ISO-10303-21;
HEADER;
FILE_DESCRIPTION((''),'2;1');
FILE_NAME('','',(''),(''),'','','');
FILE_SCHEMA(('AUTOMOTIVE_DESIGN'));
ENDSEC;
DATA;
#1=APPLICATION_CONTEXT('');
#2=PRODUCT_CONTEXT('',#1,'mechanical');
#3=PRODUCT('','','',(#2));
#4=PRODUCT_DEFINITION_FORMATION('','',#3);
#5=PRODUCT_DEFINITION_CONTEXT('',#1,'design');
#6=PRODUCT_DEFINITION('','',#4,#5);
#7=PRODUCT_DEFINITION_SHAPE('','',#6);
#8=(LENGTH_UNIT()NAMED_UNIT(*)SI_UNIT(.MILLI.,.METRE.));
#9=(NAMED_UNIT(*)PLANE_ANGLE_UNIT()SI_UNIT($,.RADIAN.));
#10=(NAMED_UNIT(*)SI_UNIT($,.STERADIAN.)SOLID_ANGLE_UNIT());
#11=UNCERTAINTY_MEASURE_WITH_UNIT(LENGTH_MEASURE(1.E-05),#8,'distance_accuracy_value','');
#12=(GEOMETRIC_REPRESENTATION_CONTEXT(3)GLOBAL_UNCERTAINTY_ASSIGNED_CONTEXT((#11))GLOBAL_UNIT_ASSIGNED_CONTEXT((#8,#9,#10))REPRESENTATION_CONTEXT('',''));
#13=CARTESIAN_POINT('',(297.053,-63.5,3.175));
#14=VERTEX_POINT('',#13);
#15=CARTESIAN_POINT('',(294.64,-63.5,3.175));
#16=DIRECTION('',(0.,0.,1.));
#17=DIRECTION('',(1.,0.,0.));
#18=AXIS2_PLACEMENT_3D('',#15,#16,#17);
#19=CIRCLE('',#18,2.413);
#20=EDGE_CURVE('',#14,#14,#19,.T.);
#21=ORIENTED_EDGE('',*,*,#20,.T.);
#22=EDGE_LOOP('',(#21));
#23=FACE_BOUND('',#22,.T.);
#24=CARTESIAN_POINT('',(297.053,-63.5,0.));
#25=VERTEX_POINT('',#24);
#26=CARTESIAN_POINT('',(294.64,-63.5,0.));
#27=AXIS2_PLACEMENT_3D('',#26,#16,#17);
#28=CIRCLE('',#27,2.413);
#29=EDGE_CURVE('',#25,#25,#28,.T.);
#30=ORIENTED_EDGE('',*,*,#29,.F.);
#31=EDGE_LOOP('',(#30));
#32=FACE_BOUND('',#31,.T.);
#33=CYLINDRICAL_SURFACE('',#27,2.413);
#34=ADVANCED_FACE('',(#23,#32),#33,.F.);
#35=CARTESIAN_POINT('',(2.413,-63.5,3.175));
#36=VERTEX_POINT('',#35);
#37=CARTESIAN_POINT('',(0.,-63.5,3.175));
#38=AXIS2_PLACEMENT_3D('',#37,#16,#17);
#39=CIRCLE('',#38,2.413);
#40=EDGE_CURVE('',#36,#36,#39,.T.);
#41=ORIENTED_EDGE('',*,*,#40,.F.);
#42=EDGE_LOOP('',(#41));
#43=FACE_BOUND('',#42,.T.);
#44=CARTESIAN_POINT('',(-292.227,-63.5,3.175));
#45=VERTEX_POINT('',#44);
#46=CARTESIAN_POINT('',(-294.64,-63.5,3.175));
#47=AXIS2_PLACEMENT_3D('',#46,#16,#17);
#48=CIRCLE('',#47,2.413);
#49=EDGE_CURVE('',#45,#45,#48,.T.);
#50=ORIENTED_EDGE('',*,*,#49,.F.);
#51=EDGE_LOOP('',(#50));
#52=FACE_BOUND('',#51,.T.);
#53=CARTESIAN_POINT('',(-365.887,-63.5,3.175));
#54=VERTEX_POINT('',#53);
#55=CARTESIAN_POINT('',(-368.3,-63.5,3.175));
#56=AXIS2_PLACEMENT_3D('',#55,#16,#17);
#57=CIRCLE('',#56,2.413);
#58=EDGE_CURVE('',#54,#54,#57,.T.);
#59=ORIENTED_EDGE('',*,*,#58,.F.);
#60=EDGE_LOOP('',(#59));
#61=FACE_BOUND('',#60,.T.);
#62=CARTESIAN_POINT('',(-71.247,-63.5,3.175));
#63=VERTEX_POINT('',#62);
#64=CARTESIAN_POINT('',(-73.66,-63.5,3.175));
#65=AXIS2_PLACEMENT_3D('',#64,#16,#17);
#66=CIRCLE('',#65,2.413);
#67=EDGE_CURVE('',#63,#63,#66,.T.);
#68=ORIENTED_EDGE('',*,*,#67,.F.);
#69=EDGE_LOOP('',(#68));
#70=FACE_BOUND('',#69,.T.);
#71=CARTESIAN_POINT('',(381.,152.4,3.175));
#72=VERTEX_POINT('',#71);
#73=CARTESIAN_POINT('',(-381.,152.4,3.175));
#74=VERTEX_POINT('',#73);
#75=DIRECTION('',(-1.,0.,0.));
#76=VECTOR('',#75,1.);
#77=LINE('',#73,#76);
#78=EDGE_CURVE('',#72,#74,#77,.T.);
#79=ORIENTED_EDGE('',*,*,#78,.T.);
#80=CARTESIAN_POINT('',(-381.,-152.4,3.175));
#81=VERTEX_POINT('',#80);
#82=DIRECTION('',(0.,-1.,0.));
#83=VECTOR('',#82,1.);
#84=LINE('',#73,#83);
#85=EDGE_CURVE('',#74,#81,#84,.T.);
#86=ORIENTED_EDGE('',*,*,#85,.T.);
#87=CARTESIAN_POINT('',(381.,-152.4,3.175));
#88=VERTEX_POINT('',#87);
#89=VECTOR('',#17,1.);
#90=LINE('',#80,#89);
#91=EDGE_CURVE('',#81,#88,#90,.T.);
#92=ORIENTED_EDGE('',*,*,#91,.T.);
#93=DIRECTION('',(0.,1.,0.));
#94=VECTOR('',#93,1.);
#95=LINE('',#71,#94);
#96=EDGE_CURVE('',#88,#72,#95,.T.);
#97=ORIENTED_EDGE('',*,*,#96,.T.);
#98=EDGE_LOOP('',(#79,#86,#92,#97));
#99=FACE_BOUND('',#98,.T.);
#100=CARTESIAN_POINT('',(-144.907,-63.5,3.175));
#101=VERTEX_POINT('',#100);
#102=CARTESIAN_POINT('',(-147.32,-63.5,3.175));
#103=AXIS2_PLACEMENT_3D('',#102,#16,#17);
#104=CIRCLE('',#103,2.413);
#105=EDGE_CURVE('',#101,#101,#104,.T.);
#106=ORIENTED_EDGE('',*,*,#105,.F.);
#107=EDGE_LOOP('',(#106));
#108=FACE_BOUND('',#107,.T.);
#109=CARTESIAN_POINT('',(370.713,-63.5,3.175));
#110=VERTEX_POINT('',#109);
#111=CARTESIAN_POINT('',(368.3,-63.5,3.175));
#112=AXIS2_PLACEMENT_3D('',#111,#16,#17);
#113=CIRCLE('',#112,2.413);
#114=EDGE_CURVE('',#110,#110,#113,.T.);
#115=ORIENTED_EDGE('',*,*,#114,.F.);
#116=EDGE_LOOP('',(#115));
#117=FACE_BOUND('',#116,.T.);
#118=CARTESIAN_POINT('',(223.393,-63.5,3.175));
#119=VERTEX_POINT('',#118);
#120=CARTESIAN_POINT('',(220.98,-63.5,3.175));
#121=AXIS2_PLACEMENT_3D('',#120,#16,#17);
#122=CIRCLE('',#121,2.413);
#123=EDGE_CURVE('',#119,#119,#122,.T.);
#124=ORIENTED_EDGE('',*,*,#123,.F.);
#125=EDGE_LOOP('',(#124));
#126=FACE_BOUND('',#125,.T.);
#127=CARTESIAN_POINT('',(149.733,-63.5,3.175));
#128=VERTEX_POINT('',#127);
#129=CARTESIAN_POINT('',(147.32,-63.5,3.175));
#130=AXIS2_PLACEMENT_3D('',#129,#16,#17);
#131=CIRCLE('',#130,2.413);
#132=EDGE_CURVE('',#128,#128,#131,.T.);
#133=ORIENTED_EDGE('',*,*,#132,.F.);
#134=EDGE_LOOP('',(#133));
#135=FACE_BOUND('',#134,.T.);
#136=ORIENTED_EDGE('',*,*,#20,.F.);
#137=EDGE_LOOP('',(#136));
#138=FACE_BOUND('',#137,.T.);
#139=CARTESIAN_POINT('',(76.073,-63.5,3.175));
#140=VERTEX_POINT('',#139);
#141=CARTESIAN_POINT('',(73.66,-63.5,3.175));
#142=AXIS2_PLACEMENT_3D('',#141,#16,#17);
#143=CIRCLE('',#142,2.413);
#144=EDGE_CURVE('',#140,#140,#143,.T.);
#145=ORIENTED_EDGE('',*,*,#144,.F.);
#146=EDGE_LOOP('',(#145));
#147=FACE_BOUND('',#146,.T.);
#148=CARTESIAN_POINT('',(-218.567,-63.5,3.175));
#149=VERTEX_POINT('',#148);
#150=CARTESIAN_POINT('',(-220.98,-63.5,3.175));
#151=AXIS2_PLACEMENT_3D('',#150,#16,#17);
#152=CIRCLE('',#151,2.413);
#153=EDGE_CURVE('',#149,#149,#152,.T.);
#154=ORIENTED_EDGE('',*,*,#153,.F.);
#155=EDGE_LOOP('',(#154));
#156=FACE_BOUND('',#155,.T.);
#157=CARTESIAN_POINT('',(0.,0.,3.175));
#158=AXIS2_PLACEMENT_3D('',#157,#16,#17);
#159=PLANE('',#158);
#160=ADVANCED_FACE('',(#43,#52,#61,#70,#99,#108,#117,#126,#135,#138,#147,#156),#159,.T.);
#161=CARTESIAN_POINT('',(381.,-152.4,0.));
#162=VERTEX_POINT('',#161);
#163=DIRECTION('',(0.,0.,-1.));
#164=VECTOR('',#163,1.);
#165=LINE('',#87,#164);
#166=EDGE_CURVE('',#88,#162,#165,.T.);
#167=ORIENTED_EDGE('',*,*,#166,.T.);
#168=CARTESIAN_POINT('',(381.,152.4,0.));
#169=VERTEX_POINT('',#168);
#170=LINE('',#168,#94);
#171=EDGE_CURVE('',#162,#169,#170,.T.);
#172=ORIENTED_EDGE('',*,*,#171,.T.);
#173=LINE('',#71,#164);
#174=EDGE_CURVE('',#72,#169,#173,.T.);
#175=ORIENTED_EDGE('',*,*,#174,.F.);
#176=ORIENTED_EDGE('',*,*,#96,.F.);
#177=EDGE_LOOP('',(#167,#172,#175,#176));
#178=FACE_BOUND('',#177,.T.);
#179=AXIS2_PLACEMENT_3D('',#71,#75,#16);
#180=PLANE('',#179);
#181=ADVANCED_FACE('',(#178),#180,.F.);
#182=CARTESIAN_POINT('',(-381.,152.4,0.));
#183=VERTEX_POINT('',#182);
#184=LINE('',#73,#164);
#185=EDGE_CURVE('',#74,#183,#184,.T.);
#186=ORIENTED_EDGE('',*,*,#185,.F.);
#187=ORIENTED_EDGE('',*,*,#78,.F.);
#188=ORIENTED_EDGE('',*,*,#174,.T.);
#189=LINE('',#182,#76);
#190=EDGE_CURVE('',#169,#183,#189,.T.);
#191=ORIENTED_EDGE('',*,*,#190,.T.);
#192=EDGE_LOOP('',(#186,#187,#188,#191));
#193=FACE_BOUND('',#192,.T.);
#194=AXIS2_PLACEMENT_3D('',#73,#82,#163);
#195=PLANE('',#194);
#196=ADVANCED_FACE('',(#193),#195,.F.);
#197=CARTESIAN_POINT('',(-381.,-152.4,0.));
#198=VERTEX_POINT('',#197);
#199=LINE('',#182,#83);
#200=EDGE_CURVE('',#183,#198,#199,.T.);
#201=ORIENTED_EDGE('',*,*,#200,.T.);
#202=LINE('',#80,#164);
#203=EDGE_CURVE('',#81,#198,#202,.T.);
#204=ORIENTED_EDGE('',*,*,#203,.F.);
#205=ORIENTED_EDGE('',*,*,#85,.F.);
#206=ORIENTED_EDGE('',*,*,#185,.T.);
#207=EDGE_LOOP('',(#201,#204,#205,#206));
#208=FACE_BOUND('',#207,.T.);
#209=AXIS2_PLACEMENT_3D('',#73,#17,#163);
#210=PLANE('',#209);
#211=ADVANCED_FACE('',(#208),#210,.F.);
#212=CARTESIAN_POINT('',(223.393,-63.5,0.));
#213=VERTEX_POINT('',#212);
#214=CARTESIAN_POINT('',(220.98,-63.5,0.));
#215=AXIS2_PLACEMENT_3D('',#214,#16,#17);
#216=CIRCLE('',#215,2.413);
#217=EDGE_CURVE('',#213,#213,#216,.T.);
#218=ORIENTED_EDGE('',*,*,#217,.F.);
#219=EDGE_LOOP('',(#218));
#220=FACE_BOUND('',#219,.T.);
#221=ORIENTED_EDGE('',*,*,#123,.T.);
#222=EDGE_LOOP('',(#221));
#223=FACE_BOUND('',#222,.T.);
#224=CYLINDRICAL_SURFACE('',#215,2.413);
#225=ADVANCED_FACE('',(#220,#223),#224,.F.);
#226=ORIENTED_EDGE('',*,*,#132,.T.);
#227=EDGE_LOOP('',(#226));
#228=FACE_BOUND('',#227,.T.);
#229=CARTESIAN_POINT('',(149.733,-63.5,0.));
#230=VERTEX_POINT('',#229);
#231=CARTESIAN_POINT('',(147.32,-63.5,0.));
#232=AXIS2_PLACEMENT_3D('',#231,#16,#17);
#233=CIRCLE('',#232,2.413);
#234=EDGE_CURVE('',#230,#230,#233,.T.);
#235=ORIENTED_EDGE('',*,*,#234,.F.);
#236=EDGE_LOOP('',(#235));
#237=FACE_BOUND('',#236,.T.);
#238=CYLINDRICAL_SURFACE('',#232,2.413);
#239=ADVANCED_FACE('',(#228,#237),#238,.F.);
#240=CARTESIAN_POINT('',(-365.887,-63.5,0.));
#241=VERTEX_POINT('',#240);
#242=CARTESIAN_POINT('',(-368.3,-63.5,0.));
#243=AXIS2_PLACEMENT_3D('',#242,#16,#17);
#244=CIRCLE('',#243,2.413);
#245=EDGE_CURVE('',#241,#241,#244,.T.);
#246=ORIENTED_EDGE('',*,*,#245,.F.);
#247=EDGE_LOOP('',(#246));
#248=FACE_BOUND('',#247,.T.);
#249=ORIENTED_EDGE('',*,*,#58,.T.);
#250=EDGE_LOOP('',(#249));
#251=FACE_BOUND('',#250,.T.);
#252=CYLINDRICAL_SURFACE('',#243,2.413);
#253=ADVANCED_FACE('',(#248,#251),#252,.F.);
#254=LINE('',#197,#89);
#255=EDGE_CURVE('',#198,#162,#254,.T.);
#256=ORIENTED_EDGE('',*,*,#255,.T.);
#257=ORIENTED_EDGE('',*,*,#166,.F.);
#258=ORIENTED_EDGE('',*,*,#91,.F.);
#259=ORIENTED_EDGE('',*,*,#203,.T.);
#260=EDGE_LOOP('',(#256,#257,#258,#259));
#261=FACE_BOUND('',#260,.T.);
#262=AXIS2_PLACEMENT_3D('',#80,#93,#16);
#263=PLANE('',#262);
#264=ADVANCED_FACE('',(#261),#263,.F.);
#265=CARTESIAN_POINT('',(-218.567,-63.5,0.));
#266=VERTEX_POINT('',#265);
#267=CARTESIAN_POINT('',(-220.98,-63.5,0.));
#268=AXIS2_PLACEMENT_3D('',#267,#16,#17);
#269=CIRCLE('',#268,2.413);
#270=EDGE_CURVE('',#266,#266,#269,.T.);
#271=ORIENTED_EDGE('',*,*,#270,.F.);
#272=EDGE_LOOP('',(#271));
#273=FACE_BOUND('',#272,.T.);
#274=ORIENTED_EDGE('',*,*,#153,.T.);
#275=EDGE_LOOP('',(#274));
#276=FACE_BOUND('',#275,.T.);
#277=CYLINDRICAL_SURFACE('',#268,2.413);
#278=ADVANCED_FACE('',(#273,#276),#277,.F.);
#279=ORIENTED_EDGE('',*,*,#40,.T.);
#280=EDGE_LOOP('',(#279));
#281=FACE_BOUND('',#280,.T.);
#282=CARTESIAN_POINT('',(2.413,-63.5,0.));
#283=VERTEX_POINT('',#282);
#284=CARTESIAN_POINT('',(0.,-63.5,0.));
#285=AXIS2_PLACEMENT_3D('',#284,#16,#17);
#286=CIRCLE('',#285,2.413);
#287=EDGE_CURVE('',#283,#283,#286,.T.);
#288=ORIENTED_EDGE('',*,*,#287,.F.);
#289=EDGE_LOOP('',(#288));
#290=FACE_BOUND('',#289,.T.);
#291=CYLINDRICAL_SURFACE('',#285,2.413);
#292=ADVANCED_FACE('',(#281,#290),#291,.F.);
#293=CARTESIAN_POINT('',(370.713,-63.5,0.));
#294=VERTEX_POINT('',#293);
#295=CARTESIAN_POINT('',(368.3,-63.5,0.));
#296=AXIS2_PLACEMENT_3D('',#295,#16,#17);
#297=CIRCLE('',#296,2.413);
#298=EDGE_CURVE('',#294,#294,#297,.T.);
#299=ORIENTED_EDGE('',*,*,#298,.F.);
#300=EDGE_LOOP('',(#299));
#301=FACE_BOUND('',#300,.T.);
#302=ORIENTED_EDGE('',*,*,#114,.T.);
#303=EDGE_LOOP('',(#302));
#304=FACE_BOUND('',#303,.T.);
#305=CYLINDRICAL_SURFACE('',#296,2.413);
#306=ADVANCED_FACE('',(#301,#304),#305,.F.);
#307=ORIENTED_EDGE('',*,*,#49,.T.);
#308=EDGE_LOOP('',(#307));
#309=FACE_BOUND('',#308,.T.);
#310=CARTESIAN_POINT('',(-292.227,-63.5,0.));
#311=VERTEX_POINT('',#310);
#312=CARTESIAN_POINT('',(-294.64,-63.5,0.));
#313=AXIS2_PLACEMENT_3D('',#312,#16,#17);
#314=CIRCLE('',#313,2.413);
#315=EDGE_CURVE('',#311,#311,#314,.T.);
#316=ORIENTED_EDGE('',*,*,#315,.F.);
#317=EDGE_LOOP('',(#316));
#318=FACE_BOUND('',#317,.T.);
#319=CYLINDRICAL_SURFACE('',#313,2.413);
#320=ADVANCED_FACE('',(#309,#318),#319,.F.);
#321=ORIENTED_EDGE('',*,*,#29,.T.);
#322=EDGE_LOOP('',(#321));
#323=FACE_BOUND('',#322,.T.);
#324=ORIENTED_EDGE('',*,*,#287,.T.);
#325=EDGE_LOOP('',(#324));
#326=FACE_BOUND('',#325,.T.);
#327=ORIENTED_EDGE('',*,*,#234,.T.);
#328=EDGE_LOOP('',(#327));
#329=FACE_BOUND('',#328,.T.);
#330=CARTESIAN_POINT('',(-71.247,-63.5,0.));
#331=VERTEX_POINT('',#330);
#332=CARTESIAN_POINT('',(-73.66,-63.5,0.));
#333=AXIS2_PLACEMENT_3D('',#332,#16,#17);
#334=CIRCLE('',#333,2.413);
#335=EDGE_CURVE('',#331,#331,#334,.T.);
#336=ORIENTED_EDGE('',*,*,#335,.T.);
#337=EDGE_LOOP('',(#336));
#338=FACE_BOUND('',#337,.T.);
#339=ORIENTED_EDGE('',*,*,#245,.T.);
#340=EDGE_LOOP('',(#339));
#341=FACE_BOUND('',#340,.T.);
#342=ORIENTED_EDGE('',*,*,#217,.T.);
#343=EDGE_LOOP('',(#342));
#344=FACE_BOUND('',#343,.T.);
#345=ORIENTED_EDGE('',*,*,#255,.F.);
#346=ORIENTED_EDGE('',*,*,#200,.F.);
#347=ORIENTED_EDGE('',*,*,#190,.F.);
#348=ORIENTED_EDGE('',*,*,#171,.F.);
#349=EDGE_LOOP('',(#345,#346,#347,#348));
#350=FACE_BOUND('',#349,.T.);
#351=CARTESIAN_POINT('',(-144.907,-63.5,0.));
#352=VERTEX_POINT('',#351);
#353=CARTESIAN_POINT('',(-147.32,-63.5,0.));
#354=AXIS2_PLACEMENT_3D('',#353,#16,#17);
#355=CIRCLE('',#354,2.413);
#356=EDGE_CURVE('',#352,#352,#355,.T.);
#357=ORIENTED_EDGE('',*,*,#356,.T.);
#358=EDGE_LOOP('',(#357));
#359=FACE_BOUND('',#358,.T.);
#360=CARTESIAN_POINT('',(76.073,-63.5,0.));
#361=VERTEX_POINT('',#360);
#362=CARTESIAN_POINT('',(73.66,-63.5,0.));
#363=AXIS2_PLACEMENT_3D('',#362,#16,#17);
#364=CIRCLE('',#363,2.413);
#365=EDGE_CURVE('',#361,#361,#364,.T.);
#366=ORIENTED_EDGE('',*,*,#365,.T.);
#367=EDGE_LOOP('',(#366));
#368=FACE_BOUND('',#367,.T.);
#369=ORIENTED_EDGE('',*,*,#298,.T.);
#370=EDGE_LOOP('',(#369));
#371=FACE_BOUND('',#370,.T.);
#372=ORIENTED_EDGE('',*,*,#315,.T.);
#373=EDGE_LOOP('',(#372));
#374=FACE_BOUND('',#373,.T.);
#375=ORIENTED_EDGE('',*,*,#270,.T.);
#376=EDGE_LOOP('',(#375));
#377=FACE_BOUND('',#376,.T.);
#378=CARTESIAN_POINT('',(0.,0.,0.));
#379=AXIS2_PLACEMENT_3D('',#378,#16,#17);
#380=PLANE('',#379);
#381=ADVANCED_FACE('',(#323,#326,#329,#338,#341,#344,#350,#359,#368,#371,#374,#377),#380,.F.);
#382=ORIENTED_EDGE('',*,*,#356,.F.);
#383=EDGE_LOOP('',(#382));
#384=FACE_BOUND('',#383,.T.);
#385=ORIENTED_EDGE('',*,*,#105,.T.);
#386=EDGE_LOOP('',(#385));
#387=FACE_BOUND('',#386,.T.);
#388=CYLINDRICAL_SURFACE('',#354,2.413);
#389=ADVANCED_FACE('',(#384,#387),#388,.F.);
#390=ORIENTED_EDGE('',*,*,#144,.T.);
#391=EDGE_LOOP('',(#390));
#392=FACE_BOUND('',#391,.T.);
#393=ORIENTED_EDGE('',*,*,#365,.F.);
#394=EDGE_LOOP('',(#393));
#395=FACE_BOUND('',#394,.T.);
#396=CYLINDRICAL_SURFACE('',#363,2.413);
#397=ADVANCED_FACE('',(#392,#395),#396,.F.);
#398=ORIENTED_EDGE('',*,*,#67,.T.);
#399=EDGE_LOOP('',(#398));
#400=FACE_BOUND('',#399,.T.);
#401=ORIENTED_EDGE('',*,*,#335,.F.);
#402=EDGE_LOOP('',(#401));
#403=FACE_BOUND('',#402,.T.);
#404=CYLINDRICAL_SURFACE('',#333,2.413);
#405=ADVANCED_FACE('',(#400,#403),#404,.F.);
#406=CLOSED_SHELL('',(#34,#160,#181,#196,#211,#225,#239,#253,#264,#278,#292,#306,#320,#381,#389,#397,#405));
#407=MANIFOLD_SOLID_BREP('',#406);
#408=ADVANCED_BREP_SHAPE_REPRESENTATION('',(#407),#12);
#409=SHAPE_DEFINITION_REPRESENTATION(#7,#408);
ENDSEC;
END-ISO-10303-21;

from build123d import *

# Parameters (mm, degrees)
SKETCH1_W           = 762
SKETCH1_H           = 304.8
BOSS_EXTRUDE1_DEPTH = 3.175
SKETCH2_R           = 2.413
CUT_EXTRUDE1_DEPTH  = 411.361841093


with BuildPart() as part:
    # Sketch1 → Boss-Extrude1 (new body)
    with BuildSketch(Plane.XY):
        Rectangle(SKETCH1_W, SKETCH1_H)
    extrude(amount=BOSS_EXTRUDE1_DEPTH)

    # Sketch2 → Cut-Extrude1 (cut, through all)
    with BuildSketch(Plane.XY.offset(3.175)):
        with Locations((-368.3, -63.5)):
            Circle(SKETCH2_R)
        with Locations((-294.64, -63.5)):
            Circle(SKETCH2_R)
        with Locations((-220.98, -63.5)):
            Circle(SKETCH2_R)
        with Locations((-147.32, -63.5)):
            Circle(SKETCH2_R)
        with Locations((-73.66, -63.5)):
            Circle(SKETCH2_R)
        with Locations((0, -63.5)):
            Circle(SKETCH2_R)
        with Locations((73.66, -63.5)):
            Circle(SKETCH2_R)
        with Locations((147.32, -63.5)):
            Circle(SKETCH2_R)
        with Locations((220.98, -63.5)):
            Circle(SKETCH2_R)
        with Locations((294.64, -63.5)):
            Circle(SKETCH2_R)
        with Locations((368.3, -63.5)):
            Circle(SKETCH2_R)
    extrude(amount=-CUT_EXTRUDE1_DEPTH, mode=Mode.SUBTRACT)


solid = part.part
